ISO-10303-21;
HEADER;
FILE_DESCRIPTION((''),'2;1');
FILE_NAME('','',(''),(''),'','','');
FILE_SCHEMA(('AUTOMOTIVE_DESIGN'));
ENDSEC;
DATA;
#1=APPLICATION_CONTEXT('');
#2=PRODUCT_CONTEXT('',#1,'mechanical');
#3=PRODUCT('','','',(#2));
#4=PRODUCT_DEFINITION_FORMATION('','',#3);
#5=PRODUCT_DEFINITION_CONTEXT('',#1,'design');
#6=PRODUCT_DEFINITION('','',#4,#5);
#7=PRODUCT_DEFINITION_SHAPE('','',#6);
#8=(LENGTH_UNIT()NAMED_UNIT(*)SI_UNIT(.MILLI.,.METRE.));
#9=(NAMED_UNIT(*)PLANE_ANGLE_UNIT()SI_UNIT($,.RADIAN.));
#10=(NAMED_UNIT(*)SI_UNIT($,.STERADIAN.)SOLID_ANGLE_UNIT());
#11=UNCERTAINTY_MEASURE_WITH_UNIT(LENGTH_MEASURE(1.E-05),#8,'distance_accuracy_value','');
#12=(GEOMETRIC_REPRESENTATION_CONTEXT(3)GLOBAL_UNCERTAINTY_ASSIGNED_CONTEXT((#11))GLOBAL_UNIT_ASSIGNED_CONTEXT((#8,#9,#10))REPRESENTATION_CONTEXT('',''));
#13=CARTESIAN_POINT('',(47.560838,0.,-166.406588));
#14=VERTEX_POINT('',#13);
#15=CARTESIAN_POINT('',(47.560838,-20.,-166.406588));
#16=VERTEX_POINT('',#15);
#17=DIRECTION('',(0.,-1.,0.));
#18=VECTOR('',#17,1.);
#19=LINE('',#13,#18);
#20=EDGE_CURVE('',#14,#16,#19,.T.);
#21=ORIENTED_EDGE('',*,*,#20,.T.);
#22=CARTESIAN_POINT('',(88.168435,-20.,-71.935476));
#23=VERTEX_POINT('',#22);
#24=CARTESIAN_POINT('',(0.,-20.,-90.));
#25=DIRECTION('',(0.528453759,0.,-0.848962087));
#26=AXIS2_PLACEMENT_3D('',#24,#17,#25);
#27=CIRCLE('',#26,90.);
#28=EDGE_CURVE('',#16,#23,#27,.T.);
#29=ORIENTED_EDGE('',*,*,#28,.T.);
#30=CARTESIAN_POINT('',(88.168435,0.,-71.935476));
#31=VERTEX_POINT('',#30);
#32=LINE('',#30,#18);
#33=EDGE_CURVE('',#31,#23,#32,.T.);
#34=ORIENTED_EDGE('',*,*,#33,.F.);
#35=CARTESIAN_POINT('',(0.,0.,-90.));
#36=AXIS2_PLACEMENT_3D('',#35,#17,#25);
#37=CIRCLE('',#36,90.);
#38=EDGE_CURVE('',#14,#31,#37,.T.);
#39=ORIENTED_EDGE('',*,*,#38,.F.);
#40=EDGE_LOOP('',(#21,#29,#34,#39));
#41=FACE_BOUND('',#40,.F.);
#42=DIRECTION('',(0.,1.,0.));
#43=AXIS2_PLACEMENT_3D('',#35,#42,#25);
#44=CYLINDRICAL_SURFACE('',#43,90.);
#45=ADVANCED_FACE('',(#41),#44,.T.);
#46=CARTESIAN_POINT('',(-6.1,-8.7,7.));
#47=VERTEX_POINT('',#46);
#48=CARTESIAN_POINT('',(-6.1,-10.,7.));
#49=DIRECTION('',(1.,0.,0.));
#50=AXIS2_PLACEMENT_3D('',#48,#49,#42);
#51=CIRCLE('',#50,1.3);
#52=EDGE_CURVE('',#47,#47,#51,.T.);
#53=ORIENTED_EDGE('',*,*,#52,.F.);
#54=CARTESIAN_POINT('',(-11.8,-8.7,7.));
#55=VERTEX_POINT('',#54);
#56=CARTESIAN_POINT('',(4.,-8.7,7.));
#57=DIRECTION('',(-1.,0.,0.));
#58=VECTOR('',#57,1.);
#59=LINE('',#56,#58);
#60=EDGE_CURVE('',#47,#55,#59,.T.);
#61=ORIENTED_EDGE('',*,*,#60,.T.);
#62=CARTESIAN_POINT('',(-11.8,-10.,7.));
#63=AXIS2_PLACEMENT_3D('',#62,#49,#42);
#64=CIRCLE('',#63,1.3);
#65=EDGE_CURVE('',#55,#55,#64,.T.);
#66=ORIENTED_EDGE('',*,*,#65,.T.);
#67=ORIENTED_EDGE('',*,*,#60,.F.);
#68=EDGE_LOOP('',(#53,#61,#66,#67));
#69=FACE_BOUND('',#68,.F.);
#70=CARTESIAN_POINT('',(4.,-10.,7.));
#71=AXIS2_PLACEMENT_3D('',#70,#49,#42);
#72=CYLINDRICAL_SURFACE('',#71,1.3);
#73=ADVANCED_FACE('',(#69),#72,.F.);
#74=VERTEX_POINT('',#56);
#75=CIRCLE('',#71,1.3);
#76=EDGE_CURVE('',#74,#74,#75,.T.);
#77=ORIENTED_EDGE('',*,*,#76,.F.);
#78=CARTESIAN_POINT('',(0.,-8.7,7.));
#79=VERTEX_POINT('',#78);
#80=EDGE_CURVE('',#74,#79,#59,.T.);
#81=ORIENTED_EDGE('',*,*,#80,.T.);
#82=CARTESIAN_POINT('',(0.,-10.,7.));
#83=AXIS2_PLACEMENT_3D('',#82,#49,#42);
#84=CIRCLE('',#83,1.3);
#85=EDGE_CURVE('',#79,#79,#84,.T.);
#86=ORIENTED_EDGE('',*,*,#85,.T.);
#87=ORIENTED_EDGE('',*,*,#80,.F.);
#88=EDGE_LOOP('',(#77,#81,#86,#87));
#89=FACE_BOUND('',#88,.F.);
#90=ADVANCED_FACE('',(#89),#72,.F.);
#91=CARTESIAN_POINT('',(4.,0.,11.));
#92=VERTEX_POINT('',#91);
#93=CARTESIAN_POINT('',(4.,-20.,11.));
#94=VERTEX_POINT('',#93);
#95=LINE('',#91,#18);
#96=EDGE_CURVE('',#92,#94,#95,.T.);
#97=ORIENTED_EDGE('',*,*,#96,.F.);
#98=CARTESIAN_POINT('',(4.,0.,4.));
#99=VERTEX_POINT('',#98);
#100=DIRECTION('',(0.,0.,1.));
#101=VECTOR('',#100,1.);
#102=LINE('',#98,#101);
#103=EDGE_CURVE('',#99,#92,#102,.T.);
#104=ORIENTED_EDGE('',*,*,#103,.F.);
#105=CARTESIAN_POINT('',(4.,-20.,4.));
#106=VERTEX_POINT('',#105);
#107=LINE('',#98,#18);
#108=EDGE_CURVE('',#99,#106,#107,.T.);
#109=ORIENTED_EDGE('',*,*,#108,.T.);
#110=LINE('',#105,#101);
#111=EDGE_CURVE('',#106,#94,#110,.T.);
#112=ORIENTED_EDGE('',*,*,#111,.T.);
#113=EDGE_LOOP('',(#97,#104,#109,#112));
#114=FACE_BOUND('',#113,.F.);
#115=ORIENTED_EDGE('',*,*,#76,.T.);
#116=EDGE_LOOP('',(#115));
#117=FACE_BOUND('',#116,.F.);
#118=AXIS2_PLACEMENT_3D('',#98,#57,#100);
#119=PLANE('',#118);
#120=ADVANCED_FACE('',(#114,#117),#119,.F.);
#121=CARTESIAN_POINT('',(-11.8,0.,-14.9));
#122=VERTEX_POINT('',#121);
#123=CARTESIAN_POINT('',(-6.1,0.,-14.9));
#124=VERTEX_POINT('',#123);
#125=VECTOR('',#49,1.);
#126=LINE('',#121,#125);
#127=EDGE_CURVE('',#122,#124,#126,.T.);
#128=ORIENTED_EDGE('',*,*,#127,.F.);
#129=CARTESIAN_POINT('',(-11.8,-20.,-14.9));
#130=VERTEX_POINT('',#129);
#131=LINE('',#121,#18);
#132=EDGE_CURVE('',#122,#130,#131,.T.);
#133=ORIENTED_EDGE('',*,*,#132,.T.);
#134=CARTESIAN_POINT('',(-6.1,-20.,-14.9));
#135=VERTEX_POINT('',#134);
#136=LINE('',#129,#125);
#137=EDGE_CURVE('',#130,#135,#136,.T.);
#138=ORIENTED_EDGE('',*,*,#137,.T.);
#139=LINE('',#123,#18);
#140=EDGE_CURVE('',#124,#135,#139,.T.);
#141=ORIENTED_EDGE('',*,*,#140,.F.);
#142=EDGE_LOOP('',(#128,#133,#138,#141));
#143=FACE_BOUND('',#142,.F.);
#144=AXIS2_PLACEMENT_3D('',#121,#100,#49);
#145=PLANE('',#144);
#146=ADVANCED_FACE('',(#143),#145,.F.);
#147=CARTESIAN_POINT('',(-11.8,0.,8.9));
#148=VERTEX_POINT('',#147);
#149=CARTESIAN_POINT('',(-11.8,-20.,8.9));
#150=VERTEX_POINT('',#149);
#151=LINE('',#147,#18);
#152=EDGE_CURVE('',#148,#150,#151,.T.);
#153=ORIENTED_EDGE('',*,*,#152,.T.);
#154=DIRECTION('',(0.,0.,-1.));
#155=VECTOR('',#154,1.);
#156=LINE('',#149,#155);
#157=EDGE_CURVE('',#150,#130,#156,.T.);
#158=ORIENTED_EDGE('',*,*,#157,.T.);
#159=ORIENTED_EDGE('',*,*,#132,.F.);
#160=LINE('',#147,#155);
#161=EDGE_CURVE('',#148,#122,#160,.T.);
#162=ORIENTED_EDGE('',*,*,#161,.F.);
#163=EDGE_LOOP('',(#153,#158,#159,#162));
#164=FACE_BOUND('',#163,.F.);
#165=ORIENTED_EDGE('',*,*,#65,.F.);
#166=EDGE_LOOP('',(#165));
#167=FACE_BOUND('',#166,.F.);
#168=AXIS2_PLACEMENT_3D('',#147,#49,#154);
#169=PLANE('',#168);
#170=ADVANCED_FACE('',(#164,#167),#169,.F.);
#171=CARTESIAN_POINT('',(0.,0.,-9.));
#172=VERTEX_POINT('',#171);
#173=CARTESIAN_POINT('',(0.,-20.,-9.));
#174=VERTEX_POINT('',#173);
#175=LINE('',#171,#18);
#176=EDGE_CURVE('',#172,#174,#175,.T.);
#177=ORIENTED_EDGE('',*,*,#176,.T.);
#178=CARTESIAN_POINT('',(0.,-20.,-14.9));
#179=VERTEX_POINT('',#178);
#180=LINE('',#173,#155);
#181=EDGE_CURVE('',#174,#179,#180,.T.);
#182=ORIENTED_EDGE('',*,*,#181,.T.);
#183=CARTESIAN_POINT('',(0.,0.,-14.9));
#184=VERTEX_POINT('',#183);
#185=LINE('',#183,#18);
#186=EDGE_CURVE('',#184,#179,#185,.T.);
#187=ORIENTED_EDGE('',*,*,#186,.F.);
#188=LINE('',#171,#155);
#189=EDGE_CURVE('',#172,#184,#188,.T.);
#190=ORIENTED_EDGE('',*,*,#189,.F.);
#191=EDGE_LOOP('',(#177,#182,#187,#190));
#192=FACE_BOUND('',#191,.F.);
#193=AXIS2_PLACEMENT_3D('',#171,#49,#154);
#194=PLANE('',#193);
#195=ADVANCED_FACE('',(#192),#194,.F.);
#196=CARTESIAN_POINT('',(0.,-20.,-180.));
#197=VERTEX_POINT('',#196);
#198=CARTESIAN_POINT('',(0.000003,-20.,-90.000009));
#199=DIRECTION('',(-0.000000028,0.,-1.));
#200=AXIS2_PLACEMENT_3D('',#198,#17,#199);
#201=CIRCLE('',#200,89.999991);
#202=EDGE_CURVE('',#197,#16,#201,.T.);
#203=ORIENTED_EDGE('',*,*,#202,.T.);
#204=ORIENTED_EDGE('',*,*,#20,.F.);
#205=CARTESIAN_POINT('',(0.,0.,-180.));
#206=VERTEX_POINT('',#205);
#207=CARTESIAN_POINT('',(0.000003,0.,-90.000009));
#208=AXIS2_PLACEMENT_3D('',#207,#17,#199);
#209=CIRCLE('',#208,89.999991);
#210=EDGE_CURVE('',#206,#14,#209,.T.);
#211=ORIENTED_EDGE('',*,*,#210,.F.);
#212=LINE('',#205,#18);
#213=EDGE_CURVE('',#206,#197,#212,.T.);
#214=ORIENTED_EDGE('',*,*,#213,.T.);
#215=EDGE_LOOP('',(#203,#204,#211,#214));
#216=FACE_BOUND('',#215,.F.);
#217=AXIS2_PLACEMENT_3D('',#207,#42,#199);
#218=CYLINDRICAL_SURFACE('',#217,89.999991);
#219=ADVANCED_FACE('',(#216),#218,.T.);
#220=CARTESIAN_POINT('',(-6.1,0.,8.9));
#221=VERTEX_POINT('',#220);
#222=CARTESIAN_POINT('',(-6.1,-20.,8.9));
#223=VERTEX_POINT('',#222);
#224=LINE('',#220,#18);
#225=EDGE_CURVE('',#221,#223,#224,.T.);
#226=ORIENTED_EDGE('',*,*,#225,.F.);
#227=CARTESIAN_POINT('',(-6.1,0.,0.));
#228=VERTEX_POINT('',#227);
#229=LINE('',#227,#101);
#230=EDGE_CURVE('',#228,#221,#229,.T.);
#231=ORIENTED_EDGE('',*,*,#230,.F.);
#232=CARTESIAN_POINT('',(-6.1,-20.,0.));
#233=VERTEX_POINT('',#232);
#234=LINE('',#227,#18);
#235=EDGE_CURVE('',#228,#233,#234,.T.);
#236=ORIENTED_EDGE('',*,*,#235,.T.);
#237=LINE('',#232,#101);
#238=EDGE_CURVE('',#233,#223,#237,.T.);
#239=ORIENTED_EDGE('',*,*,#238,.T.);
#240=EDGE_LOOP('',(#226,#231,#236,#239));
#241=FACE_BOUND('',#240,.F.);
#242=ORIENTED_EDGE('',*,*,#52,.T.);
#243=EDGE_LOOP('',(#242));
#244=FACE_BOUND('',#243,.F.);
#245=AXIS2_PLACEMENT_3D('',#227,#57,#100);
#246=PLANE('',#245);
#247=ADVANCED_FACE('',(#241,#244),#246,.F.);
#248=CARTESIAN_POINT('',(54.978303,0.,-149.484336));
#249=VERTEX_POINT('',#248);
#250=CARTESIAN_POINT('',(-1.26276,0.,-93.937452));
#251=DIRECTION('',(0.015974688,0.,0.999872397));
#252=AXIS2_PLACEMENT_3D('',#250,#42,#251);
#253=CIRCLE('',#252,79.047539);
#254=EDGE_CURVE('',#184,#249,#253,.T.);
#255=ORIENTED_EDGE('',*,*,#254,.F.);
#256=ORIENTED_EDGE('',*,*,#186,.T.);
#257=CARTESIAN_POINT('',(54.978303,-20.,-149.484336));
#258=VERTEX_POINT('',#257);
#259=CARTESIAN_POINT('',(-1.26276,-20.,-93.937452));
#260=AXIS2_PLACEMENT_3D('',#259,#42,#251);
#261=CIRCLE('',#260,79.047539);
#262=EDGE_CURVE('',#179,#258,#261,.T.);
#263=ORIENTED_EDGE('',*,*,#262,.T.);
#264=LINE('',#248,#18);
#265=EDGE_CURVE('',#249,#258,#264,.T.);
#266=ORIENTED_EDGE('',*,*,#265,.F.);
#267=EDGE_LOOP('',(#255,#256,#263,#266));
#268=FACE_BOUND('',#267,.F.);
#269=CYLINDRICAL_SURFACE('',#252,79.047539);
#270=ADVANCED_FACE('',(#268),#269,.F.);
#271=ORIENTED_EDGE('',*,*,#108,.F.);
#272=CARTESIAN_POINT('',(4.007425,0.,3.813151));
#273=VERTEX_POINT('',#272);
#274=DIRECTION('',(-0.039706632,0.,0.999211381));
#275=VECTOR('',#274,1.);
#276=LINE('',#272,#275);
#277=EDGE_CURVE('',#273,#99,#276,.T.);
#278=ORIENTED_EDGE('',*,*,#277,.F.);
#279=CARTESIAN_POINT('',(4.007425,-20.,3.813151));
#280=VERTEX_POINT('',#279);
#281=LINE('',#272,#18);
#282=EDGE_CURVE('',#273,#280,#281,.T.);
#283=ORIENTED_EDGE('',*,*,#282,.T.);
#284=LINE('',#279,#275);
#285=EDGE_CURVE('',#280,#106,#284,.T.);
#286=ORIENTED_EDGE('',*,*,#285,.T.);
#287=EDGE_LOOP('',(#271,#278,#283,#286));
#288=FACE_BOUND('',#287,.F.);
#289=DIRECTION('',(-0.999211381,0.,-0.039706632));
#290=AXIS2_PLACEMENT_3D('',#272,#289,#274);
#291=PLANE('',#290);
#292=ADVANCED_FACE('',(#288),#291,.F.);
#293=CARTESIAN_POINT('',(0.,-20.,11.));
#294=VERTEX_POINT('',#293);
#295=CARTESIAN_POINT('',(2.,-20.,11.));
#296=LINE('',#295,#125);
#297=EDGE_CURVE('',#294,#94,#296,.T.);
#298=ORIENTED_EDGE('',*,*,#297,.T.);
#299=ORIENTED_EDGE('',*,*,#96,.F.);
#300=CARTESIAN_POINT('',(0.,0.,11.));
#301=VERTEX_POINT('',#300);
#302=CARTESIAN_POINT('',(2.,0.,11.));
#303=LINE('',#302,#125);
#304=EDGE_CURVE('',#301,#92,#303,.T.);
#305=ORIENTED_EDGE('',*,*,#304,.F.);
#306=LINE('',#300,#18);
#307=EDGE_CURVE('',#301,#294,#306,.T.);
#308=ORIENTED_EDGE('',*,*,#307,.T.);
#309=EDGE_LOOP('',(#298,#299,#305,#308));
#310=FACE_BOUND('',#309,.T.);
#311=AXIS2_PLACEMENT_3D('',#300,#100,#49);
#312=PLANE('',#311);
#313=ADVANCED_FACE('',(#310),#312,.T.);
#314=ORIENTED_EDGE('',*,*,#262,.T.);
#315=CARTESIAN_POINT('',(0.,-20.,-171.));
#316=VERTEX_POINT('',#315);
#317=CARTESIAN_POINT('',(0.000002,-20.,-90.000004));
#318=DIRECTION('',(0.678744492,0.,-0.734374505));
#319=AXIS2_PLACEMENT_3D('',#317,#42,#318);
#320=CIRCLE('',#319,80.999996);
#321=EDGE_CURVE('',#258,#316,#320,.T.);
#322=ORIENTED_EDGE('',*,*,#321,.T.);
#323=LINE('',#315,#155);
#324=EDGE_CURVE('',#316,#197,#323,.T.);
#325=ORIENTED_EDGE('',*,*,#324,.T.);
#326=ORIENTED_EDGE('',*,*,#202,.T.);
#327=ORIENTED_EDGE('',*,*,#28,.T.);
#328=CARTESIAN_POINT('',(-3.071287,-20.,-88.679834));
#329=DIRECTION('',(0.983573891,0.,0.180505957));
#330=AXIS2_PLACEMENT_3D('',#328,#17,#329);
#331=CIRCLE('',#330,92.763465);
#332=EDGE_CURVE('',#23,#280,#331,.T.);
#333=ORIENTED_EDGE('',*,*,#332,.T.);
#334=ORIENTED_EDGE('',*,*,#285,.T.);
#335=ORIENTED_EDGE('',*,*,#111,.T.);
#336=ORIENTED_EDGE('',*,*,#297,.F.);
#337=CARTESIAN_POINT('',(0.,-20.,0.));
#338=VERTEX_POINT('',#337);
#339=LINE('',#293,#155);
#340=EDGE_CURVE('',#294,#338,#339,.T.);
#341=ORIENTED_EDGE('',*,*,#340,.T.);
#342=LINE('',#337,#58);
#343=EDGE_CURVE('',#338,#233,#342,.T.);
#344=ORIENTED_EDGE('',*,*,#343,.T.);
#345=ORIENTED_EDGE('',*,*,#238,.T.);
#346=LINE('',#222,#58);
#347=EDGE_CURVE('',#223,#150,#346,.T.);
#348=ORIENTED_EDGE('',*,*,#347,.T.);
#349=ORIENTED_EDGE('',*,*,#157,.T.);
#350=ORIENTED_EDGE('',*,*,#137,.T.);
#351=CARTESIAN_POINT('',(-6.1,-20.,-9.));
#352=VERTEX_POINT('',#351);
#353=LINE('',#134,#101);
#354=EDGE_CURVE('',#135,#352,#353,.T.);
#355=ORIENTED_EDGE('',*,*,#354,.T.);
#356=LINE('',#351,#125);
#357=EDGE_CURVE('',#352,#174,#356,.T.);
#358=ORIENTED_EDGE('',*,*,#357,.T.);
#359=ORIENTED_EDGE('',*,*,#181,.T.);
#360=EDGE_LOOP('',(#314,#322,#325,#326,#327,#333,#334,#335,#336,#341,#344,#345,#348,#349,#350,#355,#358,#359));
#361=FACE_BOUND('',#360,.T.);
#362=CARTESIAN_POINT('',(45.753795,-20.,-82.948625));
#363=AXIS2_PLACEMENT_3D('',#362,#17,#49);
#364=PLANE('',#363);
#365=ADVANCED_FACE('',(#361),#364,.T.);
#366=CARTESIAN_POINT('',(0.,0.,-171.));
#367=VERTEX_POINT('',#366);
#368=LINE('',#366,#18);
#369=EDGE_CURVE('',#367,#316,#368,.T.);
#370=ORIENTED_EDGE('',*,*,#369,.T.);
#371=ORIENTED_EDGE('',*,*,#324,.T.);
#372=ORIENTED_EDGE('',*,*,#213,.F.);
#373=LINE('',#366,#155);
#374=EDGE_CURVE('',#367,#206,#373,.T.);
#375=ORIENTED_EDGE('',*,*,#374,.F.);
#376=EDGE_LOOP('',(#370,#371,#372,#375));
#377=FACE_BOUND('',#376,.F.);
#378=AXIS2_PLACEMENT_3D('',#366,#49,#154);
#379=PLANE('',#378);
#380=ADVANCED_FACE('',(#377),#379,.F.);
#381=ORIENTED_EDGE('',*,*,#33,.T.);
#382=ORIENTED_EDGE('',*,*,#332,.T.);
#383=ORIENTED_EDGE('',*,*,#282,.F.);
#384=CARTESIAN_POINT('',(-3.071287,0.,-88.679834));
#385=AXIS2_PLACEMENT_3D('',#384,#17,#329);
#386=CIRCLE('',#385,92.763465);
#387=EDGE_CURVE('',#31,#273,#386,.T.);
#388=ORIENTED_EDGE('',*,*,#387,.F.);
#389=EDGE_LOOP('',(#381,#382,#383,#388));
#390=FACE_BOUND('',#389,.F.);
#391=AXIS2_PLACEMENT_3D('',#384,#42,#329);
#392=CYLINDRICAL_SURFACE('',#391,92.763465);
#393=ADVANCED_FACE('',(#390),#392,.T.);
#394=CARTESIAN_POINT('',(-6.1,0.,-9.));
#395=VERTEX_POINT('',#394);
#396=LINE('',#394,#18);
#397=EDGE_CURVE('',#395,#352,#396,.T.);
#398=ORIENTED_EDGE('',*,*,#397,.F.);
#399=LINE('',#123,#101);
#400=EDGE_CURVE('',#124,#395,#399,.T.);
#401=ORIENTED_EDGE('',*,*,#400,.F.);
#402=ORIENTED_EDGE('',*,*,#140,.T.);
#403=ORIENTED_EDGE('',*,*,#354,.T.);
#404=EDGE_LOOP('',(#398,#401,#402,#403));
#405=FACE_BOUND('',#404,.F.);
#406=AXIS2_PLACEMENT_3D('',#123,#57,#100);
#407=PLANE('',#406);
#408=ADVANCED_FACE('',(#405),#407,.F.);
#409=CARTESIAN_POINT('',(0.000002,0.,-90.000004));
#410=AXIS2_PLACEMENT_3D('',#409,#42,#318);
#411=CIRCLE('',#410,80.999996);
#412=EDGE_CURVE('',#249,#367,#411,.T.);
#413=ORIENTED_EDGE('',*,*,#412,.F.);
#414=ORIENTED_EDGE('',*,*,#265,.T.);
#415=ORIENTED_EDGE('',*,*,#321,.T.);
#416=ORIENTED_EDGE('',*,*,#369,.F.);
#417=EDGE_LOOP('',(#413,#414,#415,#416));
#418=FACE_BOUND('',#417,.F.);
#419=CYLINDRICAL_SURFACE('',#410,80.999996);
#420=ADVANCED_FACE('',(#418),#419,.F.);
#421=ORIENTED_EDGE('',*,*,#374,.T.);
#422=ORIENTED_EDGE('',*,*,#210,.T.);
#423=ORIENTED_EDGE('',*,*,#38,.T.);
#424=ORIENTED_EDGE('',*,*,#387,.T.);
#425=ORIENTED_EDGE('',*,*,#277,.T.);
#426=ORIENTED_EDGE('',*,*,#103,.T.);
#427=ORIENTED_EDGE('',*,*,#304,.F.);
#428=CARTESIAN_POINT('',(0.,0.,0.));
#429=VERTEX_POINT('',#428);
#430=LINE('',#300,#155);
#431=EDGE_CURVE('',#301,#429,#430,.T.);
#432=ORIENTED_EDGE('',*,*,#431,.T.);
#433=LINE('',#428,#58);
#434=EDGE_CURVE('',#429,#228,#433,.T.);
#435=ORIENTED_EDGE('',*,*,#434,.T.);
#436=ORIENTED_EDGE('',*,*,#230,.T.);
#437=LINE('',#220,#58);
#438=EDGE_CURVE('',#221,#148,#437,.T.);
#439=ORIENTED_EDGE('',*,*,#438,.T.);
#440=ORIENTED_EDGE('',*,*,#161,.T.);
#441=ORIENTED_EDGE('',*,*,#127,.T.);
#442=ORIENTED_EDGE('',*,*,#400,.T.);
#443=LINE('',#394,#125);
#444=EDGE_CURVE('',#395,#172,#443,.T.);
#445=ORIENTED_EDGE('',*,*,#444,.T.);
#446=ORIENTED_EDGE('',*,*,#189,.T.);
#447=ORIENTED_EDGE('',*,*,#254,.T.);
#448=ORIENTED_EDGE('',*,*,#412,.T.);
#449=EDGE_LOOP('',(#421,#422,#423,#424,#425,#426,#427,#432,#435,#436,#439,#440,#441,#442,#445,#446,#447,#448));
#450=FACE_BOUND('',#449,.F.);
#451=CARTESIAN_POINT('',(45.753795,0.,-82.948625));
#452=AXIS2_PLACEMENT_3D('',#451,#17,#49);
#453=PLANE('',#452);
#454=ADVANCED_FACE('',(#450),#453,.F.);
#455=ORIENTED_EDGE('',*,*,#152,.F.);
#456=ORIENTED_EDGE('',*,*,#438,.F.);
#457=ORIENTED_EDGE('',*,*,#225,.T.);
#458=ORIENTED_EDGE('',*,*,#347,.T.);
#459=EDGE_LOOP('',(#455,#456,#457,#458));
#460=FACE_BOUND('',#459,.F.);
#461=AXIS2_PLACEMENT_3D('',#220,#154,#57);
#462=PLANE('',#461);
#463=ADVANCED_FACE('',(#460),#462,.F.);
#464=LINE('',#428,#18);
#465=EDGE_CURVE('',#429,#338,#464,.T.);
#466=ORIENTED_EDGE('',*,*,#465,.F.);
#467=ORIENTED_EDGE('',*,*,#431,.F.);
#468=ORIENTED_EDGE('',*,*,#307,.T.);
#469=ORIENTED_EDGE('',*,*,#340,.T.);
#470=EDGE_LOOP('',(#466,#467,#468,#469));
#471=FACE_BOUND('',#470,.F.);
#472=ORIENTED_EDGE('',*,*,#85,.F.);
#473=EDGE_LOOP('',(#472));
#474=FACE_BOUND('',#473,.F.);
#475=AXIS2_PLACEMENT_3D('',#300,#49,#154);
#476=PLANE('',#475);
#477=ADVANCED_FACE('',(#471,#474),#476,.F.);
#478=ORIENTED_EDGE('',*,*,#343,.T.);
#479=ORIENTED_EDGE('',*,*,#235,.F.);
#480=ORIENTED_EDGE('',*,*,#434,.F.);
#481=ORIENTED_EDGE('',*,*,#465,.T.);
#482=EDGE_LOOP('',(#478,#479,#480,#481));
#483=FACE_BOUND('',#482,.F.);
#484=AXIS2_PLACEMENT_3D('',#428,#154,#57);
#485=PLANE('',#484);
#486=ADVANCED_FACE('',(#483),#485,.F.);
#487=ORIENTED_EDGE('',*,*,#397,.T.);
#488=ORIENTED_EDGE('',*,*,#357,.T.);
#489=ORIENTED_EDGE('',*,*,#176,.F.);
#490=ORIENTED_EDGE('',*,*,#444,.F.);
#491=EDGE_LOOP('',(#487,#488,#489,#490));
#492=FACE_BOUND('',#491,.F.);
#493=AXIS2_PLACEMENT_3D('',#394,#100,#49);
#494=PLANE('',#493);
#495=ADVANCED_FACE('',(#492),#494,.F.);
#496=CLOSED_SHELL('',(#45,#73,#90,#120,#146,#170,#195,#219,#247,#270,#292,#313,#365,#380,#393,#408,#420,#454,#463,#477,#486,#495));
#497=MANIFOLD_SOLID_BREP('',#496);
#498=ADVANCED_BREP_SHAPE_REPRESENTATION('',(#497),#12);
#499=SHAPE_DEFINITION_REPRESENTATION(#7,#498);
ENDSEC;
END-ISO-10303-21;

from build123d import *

# Parameters (mm, degrees)
F0_W     = 4
F0_H     = 2.1
F1_DEPTH = 20
F2_R     = 1.3
F3_DEPTH = 25


with BuildPart() as f1:
    # F0 (on Front) → F1 (new body)
    with BuildSketch(Plane.XZ):
        with BuildLine():
            Line((0, -171), (0, -180))
            ThreePointArc((0, -180), (24.732641, -176.534944), (47.560838, -166.406588))
            ThreePointArc((47.560838, -166.406588), (82.152554, -125.312571), (88.168435, -71.935476))
            ThreePointArc((88.168435, -71.935476), (56.895487, -20.265478), (0, 0))
            Line((0, 0), (-6.1, 0))
            Line((-6.1, 0), (-6.1, 8.9))
            Line((-6.1, 8.9), (-11.8, 8.9))
            Line((-11.8, 8.9), (-11.8, -14.9))
            Line((-11.8, -14.9), (-6.1, -14.9))
            Line((-6.1, -14.9), (-6.1, -9))
            Line((-6.1, -9), (0, -9))
            ThreePointArc((0, -9), (75.429541, -60.480779), (54.978303, -149.484336))
            ThreePointArc((54.978303, -149.484336), (29.519221, -165.429541), (0, -171))
        make_face()
        with BuildLine():
            ThreePointArc((88.168435, -71.935476), (82.152554, -125.312571), (47.560838, -166.406588))
            ThreePointArc((47.560838, -166.406588), (82.684984, -125.541432), (88.168435, -71.935476))
        make_face()
        with BuildLine():
            ThreePointArc((0, 0), (56.895487, -20.265478), (88.168435, -71.935476))
            ThreePointArc((88.168435, -71.935476), (58.985882, -19.730808), (4.007425, 3.813151))
            ThreePointArc((4.007425, 3.813151), (2.0049, 3.944638), (0, 4.032774))
            Line((0, 4.032774), (0, 0))
        make_face()
        with BuildLine():
            ThreePointArc((0, -14.9), (71.914479, -64.044223), (54.978303, -149.484336))
            ThreePointArc((54.978303, -149.484336), (75.429541, -60.480779), (0, -9))
            Line((0, -9), (0, -14.9))
        make_face()
        with BuildLine():
            ThreePointArc((0, 4.032774), (2.0049, 3.944638), (4.007425, 3.813151))
            Line((4.007425, 3.813151), (4, 4))
            Line((4, 4), (4, 8.9))
            Line((4, 8.9), (0, 8.9))
            Line((0, 8.9), (0, 4.032774))
        make_face()
        with Locations((2, 9.95)):
            Rectangle(F0_W, F0_H)
    extrude(amount=F1_DEPTH)

    # F2 (on face) → F3 (cut)
    with BuildSketch(Plane.YZ.offset(4)):
        with Locations((-10, 7)):
            Circle(F2_R)
    extrude(amount=-F3_DEPTH, mode=Mode.SUBTRACT)


solid = f1.part
